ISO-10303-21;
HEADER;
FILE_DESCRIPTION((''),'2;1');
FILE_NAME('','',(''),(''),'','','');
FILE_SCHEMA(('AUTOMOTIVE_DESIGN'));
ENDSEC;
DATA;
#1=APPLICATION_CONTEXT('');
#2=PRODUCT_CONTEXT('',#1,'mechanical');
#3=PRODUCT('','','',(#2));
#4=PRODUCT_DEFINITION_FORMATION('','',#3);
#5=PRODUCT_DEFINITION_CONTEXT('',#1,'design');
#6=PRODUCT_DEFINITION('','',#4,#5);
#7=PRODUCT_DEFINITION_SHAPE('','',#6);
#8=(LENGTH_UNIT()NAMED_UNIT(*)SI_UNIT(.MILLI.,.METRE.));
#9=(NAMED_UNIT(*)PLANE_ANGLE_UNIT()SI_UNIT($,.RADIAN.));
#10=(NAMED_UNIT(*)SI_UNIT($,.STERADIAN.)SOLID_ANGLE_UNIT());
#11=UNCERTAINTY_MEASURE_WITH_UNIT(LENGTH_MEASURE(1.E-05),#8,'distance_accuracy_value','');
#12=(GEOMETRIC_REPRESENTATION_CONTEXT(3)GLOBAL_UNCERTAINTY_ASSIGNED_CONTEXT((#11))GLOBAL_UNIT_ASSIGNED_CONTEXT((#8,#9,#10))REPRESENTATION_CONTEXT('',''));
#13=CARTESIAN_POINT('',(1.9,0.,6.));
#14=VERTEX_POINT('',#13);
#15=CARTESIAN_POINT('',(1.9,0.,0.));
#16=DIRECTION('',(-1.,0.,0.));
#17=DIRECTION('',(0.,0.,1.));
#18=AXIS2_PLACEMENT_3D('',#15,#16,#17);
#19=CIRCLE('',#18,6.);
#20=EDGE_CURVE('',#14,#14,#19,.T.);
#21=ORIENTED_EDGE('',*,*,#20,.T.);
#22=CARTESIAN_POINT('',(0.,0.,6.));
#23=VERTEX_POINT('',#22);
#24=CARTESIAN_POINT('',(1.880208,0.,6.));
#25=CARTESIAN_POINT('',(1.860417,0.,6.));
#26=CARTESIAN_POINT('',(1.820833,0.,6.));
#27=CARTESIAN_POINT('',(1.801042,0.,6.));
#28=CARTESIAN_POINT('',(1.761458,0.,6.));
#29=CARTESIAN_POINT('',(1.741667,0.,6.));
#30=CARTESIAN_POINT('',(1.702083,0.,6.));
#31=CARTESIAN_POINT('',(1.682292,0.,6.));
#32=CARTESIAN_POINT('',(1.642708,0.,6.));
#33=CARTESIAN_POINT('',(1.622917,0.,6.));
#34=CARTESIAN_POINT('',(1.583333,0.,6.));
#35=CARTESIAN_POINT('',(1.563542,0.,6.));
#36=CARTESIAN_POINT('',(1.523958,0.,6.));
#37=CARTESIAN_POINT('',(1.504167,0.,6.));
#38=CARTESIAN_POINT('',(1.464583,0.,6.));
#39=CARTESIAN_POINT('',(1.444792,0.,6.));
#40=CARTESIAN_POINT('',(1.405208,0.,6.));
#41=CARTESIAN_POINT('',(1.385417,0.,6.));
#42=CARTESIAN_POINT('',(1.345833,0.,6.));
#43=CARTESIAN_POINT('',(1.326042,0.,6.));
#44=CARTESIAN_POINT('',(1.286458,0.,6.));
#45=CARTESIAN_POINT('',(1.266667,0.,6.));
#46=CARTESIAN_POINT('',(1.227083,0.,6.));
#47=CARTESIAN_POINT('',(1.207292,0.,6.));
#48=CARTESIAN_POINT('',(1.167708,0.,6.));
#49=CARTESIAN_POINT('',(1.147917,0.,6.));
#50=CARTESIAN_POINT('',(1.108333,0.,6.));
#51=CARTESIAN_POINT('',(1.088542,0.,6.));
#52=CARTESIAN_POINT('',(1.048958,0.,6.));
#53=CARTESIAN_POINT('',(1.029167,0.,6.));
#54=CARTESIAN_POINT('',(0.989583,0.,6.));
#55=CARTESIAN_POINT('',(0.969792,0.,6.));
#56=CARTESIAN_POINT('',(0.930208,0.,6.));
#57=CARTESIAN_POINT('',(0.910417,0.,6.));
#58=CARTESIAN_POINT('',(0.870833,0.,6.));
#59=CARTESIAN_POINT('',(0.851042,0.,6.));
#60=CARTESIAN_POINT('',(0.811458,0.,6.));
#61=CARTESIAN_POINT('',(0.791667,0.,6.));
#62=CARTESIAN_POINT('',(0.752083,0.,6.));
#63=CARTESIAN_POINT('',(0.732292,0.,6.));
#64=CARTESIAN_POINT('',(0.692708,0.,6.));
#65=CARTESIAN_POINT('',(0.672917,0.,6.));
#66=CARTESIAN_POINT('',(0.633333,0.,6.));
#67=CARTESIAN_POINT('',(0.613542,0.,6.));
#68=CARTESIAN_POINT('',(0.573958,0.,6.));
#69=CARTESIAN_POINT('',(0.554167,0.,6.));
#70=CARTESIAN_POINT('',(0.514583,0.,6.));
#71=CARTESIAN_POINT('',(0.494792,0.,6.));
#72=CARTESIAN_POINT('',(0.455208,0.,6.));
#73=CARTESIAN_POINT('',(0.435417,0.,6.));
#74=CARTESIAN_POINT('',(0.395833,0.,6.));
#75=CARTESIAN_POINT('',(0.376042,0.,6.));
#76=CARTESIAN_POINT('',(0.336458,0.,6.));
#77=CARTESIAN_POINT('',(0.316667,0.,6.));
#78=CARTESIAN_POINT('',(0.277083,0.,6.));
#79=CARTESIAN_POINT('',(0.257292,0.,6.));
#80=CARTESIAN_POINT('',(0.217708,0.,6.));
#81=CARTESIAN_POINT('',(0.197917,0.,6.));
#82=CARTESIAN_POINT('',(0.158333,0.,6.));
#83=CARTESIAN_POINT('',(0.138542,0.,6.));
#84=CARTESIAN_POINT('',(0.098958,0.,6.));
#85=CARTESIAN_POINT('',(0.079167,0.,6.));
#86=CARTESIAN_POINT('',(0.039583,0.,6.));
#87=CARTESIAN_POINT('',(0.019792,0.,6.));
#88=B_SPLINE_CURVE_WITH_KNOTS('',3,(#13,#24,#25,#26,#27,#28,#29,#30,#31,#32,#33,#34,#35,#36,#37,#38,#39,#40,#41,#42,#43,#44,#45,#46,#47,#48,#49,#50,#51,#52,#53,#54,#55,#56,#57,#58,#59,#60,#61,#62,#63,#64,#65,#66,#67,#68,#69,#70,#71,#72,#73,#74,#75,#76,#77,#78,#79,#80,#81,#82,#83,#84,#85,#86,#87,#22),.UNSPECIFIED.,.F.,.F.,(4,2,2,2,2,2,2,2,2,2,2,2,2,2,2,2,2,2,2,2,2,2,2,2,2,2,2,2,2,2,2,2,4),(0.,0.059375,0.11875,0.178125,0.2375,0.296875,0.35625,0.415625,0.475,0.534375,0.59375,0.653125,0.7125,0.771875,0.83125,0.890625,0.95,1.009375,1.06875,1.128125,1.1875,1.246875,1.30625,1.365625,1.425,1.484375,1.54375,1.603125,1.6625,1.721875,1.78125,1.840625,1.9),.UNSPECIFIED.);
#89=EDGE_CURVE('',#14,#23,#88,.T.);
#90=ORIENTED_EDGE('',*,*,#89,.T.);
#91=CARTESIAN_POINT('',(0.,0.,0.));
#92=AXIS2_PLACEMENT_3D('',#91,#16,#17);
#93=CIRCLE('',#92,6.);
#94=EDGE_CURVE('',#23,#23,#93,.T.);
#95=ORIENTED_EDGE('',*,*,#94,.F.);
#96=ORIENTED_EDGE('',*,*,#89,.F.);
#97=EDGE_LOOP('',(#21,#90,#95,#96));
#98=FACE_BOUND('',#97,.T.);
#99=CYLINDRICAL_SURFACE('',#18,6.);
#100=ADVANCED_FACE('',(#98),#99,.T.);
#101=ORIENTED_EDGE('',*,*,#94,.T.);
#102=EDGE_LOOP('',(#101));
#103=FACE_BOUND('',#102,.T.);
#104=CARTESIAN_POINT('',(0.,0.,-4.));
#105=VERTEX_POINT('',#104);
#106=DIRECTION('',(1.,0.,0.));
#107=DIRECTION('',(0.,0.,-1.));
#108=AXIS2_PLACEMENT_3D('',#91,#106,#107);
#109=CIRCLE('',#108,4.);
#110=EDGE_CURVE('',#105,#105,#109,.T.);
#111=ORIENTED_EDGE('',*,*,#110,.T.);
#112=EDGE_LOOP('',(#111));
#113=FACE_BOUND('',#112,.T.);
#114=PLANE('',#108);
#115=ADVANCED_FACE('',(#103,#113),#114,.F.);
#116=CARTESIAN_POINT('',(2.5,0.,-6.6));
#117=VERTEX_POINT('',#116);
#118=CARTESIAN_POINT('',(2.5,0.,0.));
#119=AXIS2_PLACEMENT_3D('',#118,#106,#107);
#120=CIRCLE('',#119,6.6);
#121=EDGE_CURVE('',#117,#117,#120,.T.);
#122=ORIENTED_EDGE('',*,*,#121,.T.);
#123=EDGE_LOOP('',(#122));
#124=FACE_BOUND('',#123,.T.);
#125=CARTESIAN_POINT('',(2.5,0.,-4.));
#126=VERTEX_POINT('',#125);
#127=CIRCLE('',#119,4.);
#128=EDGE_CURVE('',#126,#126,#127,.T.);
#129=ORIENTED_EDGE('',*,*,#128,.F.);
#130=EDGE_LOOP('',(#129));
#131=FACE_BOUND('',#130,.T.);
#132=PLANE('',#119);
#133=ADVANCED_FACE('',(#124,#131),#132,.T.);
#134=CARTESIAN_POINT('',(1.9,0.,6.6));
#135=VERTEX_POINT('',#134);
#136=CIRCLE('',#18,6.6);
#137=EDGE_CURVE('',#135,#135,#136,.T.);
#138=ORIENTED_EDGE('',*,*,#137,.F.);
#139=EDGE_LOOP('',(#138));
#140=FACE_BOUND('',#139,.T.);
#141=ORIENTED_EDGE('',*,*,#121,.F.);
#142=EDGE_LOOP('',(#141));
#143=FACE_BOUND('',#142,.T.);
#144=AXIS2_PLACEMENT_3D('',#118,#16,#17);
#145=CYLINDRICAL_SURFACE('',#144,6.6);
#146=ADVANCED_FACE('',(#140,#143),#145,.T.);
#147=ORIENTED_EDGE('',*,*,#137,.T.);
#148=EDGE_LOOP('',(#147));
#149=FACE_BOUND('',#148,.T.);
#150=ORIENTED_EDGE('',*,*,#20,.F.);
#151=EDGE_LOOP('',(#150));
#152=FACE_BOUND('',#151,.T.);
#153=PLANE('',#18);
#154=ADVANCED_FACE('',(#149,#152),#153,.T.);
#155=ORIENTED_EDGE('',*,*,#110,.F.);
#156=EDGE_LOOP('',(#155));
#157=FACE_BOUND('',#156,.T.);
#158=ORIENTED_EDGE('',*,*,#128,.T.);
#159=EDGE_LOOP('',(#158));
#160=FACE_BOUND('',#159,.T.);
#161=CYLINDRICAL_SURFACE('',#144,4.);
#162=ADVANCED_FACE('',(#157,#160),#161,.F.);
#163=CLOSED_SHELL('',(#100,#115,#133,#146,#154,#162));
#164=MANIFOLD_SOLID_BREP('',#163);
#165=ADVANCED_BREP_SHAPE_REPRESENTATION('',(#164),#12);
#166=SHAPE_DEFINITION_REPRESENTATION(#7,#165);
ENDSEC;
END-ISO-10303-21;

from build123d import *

# Parameters (mm, degrees)
SKETCH_1_R          = 6.6
SKETCH_1_R_2        = 4
EXTRUDE_1_DEPTH     = 2.5
SKETCH_2_R          = 8.112470545
SKETCH_2_R_2        = 6
CUT_EXTRUDE_1_DEPTH = 1.9


with BuildPart() as part:
    # 草图1 → 凸台-拉伸1 (new body)
    with BuildSketch(Plane(origin=(0, 0, 0), x_dir=(0, 0, -1), z_dir=(1, 0, 0))):
        Circle(SKETCH_1_R)
        Circle(SKETCH_1_R_2, mode=Mode.SUBTRACT)
    extrude(amount=EXTRUDE_1_DEPTH)

    # 草图2 → 切除-拉伸1 (cut)
    with BuildSketch(Plane.ZY):
        Circle(SKETCH_2_R)
        Circle(SKETCH_2_R_2, mode=Mode.SUBTRACT)
    extrude(amount=-CUT_EXTRUDE_1_DEPTH, mode=Mode.SUBTRACT)


solid = part.part
